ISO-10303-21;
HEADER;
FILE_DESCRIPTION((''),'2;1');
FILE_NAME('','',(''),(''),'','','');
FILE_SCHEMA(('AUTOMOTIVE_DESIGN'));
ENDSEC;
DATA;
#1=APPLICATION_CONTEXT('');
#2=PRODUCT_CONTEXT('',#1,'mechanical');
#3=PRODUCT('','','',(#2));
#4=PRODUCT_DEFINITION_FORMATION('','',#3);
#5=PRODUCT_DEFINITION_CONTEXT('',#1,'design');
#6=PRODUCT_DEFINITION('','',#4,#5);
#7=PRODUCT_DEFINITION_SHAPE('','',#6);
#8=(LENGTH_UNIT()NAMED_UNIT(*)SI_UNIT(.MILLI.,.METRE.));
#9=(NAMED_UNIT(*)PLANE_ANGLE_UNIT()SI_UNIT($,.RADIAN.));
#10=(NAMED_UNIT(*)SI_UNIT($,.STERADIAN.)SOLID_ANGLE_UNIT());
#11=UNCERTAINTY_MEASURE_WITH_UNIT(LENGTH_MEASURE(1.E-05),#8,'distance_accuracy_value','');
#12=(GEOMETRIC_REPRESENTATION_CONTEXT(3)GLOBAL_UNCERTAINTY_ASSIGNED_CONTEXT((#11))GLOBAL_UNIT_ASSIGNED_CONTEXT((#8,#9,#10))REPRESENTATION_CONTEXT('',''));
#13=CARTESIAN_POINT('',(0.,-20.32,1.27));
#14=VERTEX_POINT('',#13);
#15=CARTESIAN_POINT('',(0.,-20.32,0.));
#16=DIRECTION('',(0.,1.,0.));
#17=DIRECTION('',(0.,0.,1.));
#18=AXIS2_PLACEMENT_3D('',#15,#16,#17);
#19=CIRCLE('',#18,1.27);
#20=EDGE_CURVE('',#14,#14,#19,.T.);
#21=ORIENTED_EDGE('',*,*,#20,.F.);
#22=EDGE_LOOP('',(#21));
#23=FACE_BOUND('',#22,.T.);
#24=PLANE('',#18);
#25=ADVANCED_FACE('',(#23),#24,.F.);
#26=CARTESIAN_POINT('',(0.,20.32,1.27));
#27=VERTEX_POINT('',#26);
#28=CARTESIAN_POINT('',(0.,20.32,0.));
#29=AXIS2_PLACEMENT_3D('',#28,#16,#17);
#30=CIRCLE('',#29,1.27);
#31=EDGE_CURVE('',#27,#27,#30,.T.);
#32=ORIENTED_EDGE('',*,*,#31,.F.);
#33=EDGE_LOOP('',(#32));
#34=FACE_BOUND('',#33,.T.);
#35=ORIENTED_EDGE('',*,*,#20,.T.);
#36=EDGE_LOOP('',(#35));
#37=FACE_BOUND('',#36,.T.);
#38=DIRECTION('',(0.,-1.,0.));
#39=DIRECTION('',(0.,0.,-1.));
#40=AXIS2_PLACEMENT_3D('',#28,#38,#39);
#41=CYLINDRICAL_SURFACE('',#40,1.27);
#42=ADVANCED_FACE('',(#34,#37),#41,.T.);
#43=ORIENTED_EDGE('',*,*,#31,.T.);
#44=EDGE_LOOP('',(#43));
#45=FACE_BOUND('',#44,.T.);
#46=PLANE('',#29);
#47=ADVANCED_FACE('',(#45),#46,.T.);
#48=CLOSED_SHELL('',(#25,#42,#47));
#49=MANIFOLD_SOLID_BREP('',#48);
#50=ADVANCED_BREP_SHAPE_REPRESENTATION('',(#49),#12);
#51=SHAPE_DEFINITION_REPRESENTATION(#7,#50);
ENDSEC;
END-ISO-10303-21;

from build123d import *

# Parameters (mm, degrees)
SKETCH2_R           = 1.27
BOSS_EXTRUDE1_DEPTH = 20.32


with BuildPart() as part:
    # Sketch2 → Boss-Extrude1 (new body, symmetric)
    with BuildSketch(Plane(origin=(0, 0, 0), x_dir=(1, 0, 0), z_dir=(0, 1, 0))):
        Circle(SKETCH2_R)
    extrude(amount=BOSS_EXTRUDE1_DEPTH, both=True)


solid = part.part
